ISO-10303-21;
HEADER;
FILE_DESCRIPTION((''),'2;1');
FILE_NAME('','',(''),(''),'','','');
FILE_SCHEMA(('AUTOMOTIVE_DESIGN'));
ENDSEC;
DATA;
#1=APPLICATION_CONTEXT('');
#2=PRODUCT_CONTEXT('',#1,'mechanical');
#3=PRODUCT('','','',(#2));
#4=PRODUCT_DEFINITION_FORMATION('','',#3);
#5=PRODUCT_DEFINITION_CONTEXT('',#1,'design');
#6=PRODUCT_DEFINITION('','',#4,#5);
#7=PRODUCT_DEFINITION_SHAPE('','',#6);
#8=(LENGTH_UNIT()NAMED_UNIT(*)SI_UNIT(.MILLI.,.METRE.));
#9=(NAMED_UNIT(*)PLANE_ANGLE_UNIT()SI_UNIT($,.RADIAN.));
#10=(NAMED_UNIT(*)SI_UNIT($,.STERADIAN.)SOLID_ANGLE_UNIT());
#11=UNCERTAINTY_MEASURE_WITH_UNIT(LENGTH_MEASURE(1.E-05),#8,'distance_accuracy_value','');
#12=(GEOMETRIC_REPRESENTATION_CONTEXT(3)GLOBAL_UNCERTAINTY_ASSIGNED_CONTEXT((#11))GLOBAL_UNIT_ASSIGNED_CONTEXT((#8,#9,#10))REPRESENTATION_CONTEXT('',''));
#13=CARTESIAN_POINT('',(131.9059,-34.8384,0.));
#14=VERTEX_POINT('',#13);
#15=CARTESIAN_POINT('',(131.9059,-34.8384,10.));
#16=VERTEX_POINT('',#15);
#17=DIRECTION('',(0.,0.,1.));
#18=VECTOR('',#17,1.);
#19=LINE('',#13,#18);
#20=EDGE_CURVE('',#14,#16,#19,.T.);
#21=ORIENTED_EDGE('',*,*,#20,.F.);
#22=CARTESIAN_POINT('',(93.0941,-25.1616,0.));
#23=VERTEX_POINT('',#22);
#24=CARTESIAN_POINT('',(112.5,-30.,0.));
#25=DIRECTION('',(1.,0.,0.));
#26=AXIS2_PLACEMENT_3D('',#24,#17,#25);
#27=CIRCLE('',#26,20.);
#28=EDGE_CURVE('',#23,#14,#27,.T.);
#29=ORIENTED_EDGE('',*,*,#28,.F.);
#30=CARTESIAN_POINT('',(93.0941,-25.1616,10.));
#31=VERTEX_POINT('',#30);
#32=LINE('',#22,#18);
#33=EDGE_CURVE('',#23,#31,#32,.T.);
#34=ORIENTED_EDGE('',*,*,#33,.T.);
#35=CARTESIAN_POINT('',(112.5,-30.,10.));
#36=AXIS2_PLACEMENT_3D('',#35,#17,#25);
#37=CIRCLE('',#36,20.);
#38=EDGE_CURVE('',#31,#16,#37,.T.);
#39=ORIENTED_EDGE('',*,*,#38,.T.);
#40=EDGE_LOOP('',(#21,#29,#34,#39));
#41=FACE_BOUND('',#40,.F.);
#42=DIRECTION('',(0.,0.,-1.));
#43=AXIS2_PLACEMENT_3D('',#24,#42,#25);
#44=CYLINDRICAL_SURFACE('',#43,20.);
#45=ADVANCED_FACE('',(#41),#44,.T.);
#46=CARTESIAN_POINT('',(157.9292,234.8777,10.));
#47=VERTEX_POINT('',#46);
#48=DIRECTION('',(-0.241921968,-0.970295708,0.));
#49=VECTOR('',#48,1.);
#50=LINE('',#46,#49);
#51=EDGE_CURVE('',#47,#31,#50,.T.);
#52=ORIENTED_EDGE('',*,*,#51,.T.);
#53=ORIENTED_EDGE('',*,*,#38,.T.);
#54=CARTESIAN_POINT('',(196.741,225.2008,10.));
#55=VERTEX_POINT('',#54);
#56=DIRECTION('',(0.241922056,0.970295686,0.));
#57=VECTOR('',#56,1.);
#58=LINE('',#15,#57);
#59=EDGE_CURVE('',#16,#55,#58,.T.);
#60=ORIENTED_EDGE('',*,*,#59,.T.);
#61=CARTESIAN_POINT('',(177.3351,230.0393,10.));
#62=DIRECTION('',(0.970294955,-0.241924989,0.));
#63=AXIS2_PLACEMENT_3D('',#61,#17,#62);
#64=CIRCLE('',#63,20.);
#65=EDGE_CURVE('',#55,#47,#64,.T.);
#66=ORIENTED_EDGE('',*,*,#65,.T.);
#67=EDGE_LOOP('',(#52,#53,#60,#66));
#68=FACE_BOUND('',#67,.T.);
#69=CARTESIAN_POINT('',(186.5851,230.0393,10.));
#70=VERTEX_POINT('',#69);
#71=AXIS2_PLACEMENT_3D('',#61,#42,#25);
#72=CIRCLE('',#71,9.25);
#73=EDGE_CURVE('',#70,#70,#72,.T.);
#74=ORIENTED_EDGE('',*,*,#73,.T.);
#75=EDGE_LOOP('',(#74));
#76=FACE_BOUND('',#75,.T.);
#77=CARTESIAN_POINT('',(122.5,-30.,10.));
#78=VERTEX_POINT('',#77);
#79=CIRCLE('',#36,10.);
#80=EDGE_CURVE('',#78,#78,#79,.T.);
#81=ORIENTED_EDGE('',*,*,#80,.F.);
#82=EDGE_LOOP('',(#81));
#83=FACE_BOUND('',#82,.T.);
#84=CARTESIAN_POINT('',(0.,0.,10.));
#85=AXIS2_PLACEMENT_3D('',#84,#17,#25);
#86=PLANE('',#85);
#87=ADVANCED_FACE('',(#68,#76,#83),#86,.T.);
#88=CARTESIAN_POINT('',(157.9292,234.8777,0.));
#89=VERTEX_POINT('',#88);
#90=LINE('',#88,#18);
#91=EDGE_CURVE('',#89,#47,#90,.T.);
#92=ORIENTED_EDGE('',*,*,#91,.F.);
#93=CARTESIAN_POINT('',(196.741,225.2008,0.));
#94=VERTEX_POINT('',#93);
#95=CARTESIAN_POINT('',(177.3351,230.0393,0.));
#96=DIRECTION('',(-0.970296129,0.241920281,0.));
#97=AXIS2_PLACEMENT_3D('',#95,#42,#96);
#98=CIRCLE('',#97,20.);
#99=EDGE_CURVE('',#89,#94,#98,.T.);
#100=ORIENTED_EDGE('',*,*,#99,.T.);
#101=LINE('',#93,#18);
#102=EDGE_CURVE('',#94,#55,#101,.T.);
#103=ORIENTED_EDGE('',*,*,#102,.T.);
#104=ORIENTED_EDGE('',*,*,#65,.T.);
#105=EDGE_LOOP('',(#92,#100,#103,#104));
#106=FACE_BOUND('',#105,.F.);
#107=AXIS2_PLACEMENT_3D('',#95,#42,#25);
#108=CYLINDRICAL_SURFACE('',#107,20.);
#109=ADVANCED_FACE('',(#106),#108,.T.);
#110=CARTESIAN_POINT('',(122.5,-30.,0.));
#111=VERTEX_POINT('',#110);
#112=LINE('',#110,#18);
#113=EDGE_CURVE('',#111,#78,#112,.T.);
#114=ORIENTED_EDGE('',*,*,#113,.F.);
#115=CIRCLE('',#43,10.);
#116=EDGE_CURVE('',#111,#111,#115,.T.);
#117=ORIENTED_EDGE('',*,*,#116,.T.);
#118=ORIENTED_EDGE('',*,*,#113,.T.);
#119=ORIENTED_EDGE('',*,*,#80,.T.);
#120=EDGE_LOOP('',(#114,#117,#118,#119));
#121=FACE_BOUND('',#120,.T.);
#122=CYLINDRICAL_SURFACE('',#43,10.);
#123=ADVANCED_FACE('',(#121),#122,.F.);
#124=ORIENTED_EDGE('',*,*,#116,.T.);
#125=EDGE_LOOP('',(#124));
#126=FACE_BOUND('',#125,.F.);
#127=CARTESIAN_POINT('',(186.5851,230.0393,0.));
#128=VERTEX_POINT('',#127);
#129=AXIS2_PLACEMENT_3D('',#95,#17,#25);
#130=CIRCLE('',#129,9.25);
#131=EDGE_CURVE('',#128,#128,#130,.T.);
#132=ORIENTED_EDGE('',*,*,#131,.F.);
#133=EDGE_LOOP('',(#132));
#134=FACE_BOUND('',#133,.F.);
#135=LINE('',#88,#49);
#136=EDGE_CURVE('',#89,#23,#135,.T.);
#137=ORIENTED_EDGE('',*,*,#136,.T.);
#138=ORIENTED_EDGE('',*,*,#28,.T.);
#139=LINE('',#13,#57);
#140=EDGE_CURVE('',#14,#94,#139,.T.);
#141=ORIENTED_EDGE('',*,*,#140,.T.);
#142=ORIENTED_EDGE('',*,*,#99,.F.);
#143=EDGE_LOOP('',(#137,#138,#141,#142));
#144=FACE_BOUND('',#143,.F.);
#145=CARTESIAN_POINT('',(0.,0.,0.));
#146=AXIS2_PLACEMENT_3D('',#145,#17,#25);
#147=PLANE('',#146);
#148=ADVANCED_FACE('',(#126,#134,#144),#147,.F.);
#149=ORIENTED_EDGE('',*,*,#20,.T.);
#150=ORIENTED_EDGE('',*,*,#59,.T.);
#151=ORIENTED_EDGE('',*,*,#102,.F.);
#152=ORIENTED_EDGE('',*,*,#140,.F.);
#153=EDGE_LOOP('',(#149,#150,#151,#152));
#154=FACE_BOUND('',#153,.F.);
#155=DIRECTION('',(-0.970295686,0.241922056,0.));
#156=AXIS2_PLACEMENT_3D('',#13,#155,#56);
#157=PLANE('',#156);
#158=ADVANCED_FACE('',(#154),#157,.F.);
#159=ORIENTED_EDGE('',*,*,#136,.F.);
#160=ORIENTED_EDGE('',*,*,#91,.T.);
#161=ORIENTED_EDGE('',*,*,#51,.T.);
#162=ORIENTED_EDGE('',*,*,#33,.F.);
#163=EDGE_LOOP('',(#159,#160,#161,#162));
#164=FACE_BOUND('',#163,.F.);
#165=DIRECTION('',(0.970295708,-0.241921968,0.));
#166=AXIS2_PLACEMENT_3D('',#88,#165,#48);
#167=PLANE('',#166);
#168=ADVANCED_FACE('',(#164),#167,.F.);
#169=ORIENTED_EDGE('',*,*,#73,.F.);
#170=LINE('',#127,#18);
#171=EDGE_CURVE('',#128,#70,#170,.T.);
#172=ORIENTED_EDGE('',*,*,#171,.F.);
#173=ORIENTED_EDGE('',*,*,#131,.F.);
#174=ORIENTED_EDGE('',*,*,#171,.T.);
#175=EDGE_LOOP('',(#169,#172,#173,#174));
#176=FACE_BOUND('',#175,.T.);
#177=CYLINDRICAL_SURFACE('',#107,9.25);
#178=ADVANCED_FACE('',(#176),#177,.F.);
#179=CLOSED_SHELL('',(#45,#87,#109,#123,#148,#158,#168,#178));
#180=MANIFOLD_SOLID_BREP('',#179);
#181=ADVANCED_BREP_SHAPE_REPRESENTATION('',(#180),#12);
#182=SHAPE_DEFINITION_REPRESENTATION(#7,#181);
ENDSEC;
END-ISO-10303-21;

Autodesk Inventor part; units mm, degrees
ref_plane "YZ Plane" through (0, 0, 0) normal (1, 0, 0) x (0, 1, 0)
ref_plane "XZ Plane" through (0, 0, 0) normal (0, 1, 0) x (-1, 0, 0)
ref_plane "XY Plane" through (0, 0, 0) normal (0, 0, 1) x (1, 0, 0)
ref_plane "Work Plane1" through (0, 0, 0) normal (0, 0, 1) x (1, 0, 0)
sketch "Sketch1" plane through (0, 0, 0) normal (0, 0, 1) x (1, 0, 0)
  circle A0 centre (112.5, -30) radius 10 projected
  circle A1 centre (112.5, -30) radius 20
  line L0 (112.5, -30) -> (177.3351, 230.0393)
  line L1 (112.5, -30) -> (380.5, -30) construction
  circle A2 centre (177.3351, 230.0393) radius 20
  line L2 (157.9292, 234.8777) -> (196.741, 225.2008)
  line L3 (93.0941, -25.1616) -> (131.9059, -34.8384)
  line L4 (93.0941, -25.1616) -> (131.9059, -34.8384)
  line L5 (131.9059, -34.8384) -> (196.741, 225.2008)
  line L6 (196.741, 225.2008) -> (157.9292, 234.8777)
  line L7 (157.9292, 234.8777) -> (93.0941, -25.1616)
  circle A3 centre (177.3351, 230.0393) radius 9.25
  point P0 (0, 0)
  dimension "d0" = 40
  dimension "d1" = 268
  dimension "d2" = 76
  dimension "d3" = 40
  dimension "d4" = 18.5
  dimension "d8" = 20
extrude "Extrusion1" add sketch "Sketch1" along normal blind 10 contours A0 L0 A1 L3 | A0 L3 A1 L0 | L3 A1 A0 | L0 A2 L5 A1 | A1 L7 A2 L0 | A2 L2 A3 L0 | L0 A3 L2 A2 | L2 A3 A2
ref_plane "Work Plane3" through (177.3351, 230.0393, 0) normal (1, 0, 0) x (0, 1, 0)
ref_plane "Work Plane2" through (150, -35, 30) normal (1, 0, 0) x (0, 1, 0)
properties part number "ramieR1"
